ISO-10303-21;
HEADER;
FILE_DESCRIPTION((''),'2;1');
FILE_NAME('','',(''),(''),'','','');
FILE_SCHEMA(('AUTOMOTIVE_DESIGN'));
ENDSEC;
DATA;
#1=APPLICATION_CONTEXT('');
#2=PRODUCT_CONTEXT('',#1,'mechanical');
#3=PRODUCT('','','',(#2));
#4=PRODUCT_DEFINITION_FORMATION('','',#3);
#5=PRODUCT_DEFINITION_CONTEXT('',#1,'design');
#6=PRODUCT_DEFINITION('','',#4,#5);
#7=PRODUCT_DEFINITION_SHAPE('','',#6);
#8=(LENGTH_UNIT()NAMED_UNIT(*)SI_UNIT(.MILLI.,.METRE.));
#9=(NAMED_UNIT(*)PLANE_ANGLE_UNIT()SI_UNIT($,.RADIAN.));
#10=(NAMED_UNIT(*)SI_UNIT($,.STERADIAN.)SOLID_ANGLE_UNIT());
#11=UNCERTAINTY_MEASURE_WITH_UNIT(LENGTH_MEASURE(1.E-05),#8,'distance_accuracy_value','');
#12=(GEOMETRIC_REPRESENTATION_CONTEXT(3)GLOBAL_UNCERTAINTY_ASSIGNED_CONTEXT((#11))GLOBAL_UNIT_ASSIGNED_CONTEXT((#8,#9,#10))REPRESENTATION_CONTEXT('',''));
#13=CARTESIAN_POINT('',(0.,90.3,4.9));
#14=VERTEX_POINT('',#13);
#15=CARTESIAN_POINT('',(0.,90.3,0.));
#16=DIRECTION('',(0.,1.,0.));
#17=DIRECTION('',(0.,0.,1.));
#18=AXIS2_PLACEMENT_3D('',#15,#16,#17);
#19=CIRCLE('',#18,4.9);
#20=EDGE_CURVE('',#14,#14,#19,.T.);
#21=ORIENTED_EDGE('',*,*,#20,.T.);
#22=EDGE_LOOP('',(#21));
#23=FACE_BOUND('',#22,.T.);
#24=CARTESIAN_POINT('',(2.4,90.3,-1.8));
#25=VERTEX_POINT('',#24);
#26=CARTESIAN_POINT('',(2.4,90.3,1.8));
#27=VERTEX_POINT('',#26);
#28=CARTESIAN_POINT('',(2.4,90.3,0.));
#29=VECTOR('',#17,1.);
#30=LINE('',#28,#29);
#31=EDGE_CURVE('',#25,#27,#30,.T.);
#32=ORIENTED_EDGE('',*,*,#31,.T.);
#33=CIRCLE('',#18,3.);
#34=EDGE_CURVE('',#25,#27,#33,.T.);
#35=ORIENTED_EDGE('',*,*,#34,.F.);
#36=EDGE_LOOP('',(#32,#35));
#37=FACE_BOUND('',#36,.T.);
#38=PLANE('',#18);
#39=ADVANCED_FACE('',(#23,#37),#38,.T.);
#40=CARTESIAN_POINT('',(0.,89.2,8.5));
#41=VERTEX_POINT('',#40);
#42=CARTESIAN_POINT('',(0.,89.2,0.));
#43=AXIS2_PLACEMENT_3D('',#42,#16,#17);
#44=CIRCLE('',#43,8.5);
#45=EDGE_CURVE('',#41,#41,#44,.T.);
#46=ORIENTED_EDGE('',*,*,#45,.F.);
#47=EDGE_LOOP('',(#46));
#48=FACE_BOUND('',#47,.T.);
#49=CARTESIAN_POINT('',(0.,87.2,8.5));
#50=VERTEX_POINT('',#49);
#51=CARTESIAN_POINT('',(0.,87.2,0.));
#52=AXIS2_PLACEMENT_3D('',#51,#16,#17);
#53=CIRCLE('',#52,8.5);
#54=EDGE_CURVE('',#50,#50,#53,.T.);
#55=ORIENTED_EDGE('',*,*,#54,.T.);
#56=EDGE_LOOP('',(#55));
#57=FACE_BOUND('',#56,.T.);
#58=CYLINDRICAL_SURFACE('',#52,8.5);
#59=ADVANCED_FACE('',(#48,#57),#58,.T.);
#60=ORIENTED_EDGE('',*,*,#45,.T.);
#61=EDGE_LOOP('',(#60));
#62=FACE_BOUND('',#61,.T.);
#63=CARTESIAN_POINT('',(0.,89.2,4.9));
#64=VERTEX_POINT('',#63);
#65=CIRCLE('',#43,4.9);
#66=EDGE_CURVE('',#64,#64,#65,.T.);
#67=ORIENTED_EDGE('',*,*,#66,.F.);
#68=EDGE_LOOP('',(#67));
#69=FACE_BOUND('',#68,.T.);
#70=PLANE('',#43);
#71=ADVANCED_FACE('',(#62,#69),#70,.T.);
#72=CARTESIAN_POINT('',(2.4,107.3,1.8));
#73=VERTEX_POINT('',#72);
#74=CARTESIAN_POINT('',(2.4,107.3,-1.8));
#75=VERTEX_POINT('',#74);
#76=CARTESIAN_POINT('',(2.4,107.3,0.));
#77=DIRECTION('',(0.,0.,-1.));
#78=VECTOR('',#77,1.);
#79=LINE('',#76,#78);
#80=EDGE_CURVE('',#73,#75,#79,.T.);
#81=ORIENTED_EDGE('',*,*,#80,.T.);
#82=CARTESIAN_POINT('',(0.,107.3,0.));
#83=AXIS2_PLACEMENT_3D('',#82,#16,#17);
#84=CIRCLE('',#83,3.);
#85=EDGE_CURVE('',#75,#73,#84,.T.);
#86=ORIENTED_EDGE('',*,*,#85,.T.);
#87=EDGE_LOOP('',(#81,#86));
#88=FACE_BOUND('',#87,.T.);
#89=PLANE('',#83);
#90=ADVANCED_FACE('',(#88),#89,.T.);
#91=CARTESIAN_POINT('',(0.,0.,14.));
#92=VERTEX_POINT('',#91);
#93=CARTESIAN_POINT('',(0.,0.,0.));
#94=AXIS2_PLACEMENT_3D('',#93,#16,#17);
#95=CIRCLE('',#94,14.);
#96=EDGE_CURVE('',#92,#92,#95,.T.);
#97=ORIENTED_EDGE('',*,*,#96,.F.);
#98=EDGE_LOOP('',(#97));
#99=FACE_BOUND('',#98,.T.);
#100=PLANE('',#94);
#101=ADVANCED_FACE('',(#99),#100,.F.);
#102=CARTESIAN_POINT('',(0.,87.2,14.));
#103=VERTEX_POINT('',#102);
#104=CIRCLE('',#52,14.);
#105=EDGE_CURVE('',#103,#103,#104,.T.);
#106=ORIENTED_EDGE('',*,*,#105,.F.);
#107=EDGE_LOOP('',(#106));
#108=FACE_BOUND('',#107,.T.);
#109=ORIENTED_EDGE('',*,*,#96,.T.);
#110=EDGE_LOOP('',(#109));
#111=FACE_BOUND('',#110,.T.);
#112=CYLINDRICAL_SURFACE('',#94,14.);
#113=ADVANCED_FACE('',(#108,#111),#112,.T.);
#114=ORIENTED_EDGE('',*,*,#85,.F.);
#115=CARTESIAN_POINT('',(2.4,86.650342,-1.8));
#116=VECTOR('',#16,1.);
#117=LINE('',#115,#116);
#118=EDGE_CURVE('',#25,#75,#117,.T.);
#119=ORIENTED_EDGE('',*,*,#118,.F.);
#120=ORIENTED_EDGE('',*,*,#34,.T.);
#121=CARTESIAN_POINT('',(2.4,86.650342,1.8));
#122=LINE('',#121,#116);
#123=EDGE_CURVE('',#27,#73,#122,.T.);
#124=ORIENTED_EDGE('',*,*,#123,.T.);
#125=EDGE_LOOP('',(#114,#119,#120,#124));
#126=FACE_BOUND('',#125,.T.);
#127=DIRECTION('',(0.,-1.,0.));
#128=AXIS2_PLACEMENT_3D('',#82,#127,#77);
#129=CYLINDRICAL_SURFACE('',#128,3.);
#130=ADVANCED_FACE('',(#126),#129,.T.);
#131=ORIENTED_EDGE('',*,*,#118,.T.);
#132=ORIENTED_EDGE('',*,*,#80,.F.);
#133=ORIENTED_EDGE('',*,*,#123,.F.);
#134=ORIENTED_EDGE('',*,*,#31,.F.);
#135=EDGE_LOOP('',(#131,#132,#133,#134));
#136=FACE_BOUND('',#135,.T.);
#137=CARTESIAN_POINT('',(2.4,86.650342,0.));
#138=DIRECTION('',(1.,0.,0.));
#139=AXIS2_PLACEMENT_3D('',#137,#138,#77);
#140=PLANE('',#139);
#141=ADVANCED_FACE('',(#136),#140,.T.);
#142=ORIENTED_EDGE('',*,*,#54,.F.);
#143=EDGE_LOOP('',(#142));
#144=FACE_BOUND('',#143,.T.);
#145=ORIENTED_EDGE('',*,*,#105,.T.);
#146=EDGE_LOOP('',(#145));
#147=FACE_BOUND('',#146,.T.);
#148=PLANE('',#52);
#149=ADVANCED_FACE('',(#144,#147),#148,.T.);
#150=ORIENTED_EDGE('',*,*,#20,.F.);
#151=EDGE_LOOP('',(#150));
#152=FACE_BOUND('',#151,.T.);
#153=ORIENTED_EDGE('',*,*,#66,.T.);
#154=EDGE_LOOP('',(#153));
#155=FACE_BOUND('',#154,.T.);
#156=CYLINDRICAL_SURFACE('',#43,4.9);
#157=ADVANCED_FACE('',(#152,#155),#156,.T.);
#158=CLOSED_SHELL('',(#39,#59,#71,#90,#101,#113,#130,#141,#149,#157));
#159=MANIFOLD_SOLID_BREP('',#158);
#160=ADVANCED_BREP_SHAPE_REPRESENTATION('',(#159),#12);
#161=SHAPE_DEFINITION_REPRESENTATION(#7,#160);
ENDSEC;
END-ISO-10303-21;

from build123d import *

# Parameters (mm, degrees)
SKETCH_1_R          = 14
SKETCH_2_R          = 14
SKETCH_10_R         = 8.5
SKETCH_5_R          = 8.5
SKETCH_11_R         = 4.9
SKETCH_8_R          = 4.9
SKETCH_9_R          = 3
SKETCH_12_R         = 3
CUT_EXTRUDE_START   = -17
CUT_EXTRUDE_1_DEPTH = 17


with BuildPart() as part:
    # Эскиз1 → По сечениям2 section 0
    with BuildSketch(Plane(origin=(0, 0, 0), x_dir=(1, 0, 0), z_dir=(0, 1, 0))):
        Circle(SKETCH_1_R)
    # Эскиз2 → По сечениям2 section 1
    with BuildSketch(Plane(origin=(0, 87.2, 0), x_dir=(1, 0, 0), z_dir=(0, 1, 0))):
        Circle(SKETCH_2_R)
    loft()

    # Эскиз10 → По сечениям3 section 0
    with BuildSketch(Plane(origin=(0, 87.2, 0), x_dir=(1, 0, 0), z_dir=(0, 1, 0))):
        Circle(SKETCH_10_R)
    # Эскиз5 → По сечениям3 section 1
    with BuildSketch(Plane(origin=(0, 89.2, 0), x_dir=(1, 0, 0), z_dir=(0, 1, 0))):
        Circle(SKETCH_5_R)
    loft()

    # Эскиз11 → По сечениям4 section 0
    with BuildSketch(Plane(origin=(0, 89.2, 0), x_dir=(1, 0, 0), z_dir=(0, 1, 0))):
        Circle(SKETCH_11_R)
    # Эскиз8 → По сечениям4 section 1
    with BuildSketch(Plane(origin=(0, 90.3, 0), x_dir=(1, 0, 0), z_dir=(0, 1, 0))):
        Circle(SKETCH_8_R)
    loft()

    # Эскиз9 → По сечениям5 section 0
    with BuildSketch(Plane(origin=(0, 107.3, 0), x_dir=(1, 0, 0), z_dir=(0, 1, 0))):
        Circle(SKETCH_9_R)
    # Эскиз12 → По сечениям5 section 1
    with BuildSketch(Plane(origin=(0, 90.3, 0), x_dir=(1, 0, 0), z_dir=(0, 1, 0))):
        Circle(SKETCH_12_R)
    loft()

    # Эскиз13 → Вырез-Вытянуть1 (cut)
    with BuildSketch(Plane(origin=(0, 107.3, 0), x_dir=(1, 0, 0), z_dir=(0, 1, 0)).offset(CUT_EXTRUDE_START)):
        with BuildLine():
            Line((2.4, 1.8), (2.4, -1.8))
            ThreePointArc((2.4, -1.8), (2.846049894, -0.948683298), (3, 0))
            ThreePointArc((3, 0), (2.846049894, 0.948683298), (2.4, 1.8))
        make_face()
    extrude(amount=CUT_EXTRUDE_1_DEPTH, mode=Mode.SUBTRACT)


solid = part.part
